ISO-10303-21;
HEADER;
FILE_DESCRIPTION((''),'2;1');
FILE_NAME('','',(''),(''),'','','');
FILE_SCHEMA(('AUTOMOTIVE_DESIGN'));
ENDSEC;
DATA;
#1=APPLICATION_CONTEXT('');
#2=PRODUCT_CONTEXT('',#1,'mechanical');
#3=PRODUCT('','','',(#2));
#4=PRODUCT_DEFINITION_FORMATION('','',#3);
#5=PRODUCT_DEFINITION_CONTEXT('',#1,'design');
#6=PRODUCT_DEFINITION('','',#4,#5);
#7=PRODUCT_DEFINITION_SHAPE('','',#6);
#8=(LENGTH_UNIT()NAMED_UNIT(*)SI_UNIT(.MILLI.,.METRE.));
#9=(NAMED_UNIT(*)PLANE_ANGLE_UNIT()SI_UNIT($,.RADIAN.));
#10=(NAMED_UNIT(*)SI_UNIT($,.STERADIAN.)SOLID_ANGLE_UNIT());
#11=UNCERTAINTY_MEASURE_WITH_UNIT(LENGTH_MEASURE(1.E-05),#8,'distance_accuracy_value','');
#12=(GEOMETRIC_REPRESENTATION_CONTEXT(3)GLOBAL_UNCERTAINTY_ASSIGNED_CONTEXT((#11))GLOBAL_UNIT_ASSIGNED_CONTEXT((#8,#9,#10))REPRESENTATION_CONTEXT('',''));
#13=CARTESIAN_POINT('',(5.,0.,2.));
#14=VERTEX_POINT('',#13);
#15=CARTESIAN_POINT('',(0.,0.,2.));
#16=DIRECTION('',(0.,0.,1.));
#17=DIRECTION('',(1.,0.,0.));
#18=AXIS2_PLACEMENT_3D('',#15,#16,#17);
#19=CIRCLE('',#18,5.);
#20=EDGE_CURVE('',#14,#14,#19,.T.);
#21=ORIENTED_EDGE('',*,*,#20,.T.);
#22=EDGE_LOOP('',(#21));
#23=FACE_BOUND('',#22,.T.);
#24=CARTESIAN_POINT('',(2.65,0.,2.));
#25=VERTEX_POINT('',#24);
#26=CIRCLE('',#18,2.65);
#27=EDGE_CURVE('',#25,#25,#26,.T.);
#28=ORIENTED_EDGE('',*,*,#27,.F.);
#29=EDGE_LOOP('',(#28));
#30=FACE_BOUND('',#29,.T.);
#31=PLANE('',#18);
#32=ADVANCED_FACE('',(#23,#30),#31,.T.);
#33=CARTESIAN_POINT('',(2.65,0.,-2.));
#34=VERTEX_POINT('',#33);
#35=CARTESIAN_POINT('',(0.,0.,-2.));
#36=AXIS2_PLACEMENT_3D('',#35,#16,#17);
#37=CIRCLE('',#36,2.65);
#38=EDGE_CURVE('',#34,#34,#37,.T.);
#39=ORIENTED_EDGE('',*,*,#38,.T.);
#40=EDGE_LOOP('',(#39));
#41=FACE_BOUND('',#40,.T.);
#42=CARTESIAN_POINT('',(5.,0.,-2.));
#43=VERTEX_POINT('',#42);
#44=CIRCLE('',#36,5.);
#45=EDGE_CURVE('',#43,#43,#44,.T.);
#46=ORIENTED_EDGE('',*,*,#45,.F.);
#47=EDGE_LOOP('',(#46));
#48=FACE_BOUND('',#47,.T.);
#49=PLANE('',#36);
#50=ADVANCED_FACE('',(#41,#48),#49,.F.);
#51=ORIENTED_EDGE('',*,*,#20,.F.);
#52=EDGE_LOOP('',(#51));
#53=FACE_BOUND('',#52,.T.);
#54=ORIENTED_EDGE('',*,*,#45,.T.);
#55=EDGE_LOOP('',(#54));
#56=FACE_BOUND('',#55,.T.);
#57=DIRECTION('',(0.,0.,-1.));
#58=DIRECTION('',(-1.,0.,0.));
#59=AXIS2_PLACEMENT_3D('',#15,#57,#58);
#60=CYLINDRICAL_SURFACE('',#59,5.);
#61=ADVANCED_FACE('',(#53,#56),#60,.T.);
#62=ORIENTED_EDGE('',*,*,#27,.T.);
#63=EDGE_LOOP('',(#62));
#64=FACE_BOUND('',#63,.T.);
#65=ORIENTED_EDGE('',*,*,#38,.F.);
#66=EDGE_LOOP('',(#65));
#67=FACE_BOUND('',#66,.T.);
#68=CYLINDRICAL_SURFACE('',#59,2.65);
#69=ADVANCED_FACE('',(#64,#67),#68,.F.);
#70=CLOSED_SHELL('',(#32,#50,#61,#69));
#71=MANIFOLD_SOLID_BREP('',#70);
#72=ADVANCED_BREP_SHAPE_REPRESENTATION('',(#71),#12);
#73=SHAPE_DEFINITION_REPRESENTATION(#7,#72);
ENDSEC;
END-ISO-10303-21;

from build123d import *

# Parameters (mm, degrees)
SKETCH1_R      = 5
SKETCH1_R_2    = 2.65
EXTRUDE1_DEPTH = 2


with BuildPart() as part:
    # Sketch1 → Extrude1 (new body, symmetric)
    with BuildSketch(Plane.XY):
        Circle(SKETCH1_R)
        Circle(SKETCH1_R_2, mode=Mode.SUBTRACT)
    extrude(amount=EXTRUDE1_DEPTH, both=True)


solid = part.part
